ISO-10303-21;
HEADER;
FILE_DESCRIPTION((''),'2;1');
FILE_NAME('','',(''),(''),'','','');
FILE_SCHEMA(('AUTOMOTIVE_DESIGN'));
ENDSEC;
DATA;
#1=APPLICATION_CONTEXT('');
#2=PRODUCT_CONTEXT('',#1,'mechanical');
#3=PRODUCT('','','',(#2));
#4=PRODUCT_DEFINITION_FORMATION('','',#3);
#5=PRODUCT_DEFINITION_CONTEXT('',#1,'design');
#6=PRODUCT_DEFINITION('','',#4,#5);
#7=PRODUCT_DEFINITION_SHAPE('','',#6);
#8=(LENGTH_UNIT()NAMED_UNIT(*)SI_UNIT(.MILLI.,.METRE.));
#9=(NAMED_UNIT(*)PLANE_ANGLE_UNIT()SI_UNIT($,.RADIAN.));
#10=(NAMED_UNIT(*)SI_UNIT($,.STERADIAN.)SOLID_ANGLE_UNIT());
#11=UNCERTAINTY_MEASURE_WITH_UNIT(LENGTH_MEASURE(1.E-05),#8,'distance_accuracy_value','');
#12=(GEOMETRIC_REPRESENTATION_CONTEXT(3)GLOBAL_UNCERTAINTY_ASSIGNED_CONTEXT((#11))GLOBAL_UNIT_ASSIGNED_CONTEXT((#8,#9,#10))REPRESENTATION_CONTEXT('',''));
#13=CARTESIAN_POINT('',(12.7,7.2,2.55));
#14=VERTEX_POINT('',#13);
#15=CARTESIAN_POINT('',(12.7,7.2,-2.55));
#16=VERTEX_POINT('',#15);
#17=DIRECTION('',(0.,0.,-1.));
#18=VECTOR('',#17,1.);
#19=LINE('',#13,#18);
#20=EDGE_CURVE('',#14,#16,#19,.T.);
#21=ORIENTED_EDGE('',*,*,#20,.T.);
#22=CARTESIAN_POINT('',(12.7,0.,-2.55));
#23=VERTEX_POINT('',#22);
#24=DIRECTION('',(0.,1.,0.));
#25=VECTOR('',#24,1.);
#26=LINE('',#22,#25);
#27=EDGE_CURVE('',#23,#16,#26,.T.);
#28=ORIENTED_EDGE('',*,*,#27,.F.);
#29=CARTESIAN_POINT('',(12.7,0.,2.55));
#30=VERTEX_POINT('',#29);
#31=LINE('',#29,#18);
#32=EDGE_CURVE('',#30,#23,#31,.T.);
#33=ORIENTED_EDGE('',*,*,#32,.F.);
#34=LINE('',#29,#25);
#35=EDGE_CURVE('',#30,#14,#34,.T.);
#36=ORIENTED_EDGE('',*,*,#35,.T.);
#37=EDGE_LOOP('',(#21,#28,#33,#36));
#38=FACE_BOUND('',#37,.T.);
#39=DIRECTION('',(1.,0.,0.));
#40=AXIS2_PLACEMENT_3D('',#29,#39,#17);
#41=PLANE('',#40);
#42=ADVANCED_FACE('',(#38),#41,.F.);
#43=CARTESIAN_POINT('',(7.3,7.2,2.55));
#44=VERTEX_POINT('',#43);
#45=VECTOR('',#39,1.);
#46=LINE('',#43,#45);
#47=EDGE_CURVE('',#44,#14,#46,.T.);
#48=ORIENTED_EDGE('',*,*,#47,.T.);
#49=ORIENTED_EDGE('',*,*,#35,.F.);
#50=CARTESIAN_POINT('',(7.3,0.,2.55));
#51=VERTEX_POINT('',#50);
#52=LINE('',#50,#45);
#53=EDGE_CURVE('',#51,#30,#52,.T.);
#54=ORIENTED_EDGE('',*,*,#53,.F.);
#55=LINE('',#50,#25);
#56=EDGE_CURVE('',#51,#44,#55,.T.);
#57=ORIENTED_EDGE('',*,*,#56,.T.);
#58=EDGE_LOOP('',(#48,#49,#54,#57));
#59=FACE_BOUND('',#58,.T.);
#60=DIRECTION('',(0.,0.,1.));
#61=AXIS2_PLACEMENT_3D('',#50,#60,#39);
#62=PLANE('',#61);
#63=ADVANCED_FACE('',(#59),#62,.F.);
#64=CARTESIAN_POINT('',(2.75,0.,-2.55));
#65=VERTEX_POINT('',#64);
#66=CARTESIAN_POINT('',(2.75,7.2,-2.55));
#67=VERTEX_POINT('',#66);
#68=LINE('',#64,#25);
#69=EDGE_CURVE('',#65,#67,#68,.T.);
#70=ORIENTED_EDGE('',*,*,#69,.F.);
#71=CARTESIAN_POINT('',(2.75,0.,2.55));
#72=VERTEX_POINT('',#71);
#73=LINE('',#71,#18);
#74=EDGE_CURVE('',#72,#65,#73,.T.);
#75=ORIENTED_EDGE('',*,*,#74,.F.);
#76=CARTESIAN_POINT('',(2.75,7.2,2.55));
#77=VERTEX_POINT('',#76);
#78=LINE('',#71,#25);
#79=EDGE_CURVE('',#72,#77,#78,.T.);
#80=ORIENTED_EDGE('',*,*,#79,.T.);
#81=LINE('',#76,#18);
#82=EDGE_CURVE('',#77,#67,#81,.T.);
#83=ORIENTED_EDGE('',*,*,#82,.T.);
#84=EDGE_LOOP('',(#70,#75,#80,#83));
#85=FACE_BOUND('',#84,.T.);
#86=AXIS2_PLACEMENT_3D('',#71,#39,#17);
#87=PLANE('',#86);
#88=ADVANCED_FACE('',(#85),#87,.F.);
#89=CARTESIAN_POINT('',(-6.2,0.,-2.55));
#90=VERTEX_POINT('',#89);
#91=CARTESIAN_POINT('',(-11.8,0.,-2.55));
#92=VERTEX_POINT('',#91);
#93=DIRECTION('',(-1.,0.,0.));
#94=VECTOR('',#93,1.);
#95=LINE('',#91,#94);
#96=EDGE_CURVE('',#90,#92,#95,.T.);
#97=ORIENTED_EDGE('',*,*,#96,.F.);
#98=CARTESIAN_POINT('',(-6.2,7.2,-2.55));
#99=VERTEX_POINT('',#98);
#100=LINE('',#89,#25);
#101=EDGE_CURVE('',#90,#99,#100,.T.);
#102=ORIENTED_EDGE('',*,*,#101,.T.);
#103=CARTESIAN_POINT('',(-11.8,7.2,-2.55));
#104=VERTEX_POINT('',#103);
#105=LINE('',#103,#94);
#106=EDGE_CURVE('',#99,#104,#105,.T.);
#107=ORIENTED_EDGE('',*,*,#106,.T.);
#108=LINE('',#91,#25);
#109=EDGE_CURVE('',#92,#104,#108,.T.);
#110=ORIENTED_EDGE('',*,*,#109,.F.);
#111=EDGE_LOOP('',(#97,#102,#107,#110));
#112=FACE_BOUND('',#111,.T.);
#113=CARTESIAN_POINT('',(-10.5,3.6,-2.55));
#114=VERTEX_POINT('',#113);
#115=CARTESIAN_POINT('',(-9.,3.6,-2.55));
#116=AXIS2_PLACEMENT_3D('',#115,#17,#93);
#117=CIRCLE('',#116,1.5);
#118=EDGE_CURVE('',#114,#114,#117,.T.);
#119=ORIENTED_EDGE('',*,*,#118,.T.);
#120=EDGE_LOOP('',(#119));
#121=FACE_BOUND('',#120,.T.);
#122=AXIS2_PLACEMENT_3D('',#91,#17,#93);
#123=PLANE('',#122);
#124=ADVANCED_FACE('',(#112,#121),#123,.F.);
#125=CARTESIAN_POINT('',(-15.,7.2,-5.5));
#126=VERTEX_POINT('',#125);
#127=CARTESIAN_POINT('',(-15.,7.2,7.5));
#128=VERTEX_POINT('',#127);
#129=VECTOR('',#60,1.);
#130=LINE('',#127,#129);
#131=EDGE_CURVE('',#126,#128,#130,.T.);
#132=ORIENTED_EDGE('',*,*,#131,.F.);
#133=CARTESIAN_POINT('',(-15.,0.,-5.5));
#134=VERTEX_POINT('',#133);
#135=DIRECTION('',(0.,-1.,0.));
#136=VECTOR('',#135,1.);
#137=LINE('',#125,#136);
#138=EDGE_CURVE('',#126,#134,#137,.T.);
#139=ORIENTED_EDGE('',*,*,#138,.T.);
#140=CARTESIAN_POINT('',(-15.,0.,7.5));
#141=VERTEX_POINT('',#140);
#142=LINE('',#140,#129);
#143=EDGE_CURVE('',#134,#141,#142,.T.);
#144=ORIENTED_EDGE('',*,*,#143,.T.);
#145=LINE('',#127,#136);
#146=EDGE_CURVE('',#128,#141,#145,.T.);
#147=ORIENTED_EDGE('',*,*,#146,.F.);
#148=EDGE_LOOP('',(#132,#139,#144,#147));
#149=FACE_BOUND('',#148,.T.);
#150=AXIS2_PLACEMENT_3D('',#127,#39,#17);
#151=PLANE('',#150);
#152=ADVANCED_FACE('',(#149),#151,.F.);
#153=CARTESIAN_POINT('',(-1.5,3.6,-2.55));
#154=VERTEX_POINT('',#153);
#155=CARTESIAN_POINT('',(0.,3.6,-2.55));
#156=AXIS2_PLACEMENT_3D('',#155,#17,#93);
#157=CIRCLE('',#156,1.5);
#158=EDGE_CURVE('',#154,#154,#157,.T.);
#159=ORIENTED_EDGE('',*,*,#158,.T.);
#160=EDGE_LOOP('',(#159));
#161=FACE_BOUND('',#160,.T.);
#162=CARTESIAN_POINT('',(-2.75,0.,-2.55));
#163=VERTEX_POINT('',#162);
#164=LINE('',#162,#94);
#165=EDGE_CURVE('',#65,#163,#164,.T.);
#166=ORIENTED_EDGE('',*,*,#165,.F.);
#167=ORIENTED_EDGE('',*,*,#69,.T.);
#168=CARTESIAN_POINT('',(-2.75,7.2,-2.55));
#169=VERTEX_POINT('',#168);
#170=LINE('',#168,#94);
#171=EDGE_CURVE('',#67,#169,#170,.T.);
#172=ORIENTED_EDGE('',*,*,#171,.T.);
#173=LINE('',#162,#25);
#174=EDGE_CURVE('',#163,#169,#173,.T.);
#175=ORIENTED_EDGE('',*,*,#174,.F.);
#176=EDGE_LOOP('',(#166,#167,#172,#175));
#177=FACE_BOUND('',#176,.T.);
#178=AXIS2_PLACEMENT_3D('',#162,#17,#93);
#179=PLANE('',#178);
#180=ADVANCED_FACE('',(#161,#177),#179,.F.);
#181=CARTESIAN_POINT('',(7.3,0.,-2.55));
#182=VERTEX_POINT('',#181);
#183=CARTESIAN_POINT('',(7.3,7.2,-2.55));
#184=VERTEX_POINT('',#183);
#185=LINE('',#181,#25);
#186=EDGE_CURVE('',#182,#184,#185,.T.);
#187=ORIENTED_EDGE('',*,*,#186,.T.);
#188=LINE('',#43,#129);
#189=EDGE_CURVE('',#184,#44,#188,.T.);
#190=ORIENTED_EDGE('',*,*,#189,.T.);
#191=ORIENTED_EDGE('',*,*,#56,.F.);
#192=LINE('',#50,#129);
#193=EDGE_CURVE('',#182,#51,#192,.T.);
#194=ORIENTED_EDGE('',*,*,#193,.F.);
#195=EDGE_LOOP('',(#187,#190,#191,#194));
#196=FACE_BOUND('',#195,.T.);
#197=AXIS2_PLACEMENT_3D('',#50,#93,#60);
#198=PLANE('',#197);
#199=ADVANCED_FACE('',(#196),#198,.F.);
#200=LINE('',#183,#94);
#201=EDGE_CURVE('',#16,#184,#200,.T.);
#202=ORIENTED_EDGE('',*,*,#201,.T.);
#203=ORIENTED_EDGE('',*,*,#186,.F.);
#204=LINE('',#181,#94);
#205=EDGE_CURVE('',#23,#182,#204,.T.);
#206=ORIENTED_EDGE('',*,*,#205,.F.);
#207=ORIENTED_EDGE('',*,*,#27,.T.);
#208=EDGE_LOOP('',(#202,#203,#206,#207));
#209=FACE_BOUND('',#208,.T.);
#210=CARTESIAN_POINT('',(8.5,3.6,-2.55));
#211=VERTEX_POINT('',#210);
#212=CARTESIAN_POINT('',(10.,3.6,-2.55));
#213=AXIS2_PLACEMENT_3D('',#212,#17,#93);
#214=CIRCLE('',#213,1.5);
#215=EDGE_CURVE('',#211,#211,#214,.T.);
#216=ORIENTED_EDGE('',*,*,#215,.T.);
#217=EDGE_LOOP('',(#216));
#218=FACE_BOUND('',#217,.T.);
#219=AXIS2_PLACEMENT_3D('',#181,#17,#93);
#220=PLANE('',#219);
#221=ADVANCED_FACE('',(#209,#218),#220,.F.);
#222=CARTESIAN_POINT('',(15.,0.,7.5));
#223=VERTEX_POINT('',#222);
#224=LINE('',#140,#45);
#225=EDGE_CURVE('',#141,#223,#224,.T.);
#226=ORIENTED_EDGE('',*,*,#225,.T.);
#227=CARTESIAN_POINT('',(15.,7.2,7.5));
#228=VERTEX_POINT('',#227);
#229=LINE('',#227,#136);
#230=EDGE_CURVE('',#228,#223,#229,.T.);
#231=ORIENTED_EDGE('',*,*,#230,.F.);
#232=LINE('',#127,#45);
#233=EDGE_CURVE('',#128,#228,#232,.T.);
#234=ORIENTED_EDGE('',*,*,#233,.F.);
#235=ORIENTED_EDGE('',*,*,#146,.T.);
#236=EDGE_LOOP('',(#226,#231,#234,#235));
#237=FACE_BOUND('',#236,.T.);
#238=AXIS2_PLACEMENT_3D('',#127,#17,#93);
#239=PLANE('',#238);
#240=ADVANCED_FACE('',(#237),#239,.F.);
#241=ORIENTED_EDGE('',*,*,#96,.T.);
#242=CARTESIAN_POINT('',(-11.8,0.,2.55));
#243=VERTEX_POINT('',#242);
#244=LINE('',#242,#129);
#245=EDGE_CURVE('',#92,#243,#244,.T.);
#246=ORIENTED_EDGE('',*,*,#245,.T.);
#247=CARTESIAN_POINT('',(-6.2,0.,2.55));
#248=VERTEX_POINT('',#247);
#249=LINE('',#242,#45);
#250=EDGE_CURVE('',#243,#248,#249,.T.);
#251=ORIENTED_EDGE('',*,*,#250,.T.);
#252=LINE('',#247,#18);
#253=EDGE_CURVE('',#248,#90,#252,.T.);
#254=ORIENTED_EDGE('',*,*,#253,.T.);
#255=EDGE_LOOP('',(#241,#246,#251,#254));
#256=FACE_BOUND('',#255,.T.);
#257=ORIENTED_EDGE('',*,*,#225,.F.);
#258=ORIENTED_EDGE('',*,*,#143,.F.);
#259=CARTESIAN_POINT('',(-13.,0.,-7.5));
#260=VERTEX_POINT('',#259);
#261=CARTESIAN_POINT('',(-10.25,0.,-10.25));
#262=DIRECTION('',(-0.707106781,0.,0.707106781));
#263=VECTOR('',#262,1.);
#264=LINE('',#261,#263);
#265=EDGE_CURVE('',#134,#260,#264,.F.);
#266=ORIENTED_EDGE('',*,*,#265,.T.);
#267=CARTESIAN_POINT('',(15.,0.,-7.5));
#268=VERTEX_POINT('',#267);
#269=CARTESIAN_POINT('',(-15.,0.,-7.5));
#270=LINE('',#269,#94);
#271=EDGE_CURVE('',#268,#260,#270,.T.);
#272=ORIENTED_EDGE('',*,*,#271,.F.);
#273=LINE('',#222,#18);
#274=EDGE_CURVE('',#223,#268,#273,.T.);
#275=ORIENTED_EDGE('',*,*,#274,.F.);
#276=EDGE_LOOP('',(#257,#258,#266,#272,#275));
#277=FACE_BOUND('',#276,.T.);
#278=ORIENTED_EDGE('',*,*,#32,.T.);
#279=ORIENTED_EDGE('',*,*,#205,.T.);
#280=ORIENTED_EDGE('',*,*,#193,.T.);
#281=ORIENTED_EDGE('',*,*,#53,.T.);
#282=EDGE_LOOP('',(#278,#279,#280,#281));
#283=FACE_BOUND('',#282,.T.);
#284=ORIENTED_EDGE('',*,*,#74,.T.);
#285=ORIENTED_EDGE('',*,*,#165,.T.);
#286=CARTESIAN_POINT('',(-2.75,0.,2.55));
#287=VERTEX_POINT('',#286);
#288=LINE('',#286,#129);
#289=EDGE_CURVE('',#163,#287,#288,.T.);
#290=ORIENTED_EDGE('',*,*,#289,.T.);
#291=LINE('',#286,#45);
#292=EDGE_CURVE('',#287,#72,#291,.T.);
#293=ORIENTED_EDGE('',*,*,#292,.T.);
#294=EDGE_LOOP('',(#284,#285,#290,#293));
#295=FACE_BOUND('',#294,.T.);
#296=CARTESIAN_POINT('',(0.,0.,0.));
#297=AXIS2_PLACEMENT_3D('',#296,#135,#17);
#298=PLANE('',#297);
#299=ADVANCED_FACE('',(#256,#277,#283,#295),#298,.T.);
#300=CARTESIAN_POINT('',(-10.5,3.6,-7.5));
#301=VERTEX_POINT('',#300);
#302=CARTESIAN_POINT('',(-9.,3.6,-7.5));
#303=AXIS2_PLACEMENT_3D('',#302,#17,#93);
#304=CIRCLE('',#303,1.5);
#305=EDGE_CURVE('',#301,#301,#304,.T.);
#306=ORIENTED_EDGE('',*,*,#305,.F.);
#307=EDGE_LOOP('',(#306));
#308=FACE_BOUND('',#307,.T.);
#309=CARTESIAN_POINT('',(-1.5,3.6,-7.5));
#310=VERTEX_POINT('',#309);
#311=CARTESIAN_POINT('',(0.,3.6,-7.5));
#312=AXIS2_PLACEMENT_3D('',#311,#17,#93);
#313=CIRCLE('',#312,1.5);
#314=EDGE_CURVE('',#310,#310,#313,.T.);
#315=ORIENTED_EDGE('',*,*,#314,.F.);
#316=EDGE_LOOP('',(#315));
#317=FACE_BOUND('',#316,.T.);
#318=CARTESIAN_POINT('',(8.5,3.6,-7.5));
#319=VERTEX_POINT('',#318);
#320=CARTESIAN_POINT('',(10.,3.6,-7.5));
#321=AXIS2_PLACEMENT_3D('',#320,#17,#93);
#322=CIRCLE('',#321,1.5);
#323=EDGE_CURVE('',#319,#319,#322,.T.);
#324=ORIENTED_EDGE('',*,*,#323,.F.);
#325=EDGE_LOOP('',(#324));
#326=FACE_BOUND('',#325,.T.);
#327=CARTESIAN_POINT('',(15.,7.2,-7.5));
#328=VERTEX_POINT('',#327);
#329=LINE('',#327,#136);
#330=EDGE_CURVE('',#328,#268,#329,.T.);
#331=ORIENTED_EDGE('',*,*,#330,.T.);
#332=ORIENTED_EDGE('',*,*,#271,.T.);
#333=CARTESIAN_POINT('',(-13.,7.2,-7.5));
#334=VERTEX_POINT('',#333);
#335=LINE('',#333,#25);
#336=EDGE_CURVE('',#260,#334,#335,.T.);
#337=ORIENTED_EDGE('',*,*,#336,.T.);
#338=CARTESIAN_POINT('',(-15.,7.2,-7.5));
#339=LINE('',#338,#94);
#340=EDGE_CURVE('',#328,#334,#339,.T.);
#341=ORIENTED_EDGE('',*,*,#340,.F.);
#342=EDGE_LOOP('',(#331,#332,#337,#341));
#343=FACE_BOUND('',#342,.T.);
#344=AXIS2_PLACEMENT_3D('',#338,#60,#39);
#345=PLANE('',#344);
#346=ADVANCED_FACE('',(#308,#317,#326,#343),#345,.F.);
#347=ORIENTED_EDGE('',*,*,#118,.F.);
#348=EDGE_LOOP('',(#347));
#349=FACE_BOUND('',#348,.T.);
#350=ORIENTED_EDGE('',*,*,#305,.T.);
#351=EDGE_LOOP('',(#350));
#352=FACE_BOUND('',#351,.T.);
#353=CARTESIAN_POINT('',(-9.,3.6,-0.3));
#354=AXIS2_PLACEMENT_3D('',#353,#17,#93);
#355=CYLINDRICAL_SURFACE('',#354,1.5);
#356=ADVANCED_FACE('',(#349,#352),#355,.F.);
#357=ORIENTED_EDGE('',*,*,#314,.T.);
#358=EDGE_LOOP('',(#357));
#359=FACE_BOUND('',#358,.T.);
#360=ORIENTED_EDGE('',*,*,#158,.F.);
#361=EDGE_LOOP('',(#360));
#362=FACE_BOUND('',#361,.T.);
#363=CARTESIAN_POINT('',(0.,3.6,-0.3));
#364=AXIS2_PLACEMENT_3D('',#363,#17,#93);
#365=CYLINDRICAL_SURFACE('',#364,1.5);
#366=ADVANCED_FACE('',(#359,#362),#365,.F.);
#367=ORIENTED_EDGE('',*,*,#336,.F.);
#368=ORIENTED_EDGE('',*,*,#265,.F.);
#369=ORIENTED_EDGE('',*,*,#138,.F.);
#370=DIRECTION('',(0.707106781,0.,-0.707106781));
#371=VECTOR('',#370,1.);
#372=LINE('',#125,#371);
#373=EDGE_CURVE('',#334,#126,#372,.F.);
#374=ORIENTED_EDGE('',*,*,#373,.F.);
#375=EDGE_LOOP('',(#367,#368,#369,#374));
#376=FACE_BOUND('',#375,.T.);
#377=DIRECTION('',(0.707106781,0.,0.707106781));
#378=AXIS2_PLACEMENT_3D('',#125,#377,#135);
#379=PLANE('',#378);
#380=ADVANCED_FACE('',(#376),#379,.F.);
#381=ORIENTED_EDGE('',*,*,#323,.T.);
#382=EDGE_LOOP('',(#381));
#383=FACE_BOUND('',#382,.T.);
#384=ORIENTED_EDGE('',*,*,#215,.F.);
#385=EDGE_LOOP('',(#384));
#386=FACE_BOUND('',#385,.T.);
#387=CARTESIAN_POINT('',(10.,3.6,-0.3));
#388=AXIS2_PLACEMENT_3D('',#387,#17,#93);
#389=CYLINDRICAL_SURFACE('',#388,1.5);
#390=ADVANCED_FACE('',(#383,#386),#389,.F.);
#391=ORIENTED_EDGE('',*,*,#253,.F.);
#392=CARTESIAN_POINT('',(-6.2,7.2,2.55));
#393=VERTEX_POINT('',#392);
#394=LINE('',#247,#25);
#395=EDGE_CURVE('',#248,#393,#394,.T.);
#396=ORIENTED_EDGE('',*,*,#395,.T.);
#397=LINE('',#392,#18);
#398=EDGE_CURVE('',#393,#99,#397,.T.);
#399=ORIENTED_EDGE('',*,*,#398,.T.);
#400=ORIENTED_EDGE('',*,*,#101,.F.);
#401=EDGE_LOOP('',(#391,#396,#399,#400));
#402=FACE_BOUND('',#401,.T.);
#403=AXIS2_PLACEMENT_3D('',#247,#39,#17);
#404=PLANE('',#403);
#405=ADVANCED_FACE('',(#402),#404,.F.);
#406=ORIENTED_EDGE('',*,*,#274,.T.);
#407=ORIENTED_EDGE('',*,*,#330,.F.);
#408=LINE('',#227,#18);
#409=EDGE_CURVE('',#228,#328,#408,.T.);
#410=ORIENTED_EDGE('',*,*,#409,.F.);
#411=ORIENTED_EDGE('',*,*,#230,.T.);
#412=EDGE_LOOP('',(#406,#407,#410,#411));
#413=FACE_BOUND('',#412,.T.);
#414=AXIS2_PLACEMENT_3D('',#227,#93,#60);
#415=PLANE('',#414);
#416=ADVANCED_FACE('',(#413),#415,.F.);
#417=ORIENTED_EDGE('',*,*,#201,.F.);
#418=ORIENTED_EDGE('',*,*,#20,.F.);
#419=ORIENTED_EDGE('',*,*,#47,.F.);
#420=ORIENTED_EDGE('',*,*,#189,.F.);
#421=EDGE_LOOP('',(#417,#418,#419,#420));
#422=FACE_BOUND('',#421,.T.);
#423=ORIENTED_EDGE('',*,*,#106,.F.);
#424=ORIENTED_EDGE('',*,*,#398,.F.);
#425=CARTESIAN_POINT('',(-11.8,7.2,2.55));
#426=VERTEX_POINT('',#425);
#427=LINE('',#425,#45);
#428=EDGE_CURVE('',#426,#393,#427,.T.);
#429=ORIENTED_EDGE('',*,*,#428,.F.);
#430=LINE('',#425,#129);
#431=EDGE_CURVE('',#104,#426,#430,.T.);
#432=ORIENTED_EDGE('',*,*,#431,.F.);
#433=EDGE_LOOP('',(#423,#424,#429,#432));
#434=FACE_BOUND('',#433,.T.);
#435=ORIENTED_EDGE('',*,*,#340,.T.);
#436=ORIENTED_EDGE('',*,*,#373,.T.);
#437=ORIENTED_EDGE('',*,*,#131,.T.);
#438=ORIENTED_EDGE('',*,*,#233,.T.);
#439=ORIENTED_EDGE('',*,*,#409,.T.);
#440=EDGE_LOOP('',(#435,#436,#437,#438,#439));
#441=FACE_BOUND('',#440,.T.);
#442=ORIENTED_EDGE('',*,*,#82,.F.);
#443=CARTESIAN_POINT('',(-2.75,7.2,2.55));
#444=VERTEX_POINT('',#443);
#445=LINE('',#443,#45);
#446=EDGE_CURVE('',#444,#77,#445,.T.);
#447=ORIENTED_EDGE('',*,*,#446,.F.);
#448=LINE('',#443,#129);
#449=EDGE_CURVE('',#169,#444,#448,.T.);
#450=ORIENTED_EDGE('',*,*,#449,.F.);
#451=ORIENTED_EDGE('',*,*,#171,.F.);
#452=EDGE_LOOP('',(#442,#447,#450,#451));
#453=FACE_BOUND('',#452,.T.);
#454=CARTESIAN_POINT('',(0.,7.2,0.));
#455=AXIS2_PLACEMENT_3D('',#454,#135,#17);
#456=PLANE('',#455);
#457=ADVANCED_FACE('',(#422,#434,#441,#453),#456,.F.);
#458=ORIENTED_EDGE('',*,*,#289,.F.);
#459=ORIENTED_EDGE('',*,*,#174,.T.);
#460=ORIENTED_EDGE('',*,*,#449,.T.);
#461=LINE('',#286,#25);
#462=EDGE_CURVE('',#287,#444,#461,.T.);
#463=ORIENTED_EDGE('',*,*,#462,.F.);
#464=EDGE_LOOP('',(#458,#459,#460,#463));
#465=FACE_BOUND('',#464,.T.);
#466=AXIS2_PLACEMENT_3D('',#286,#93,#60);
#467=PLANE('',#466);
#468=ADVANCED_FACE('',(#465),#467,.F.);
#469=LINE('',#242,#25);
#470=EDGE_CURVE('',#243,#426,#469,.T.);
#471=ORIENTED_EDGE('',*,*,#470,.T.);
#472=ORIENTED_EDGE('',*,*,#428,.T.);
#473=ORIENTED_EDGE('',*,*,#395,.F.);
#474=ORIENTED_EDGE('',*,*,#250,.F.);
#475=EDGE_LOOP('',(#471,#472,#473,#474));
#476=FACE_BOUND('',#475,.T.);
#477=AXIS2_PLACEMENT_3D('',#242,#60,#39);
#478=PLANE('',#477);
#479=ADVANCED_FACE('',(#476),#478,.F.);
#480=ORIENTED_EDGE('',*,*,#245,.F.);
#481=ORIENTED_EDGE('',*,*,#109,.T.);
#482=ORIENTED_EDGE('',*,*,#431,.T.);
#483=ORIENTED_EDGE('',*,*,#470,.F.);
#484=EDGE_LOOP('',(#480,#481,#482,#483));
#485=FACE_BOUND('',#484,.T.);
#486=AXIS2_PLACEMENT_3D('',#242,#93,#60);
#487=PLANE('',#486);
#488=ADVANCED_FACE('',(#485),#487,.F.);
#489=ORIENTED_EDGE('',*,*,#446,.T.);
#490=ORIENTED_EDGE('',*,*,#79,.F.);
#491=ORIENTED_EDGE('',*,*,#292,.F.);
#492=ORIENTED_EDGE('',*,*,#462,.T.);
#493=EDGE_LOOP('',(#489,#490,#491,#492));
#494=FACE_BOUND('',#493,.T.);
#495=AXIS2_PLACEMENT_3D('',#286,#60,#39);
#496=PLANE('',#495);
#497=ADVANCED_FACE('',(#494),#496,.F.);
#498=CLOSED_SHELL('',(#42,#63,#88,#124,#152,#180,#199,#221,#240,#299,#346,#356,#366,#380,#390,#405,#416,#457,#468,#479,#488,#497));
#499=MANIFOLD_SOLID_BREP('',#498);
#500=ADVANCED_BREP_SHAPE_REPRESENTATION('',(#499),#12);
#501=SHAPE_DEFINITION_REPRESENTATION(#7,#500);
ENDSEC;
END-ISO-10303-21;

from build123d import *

# Parameters (mm, degrees)
SKETCH1_W           = 30
SKETCH1_H           = 15
BOSS_EXTRUDE1_DEPTH = 7.2
SKETCH2_W           = 5.6
SKETCH2_H           = 5.1
SKETCH2_W_2         = 5.5
SKETCH2_W_3         = 5.4
CUT_EXTRUDE1_DEPTH  = 7.2
SKETCH4_R           = 1.5
CUT_EXTRUDE2_DEPTH  = 7.2
CHAMFER1_SIZE       = 2


with BuildPart() as part:
    # Sketch1 → Boss-Extrude1 (new body)
    with BuildSketch(Plane(origin=(0, 0, 0), x_dir=(1, 0, 0), z_dir=(0, 1, 0))):
        Rectangle(SKETCH1_W, SKETCH1_H)
    extrude(amount=BOSS_EXTRUDE1_DEPTH)

    # Sketch2 → Cut-Extrude1 (cut)
    with BuildSketch(Plane(origin=(0, 7.2, 0), x_dir=(1, 0, 0), z_dir=(0, 1, 0))):
        with Locations((-9, 0)):
            Rectangle(SKETCH2_W, SKETCH2_H)
        Rectangle(SKETCH2_W_2, SKETCH2_H)
        with Locations((10, 0)):
            Rectangle(SKETCH2_W_3, SKETCH2_H)
    extrude(amount=-CUT_EXTRUDE1_DEPTH, mode=Mode.SUBTRACT)

    # Sketch4 → Cut-Extrude2 (cut)
    with BuildSketch(Plane(origin=(0, 0, -7.5), x_dir=(-1, 0, 0), z_dir=(0, 0, -1))):
        with Locations((9, 3.6)):
            Circle(SKETCH4_R)
        with Locations((0, 3.6)):
            Circle(SKETCH4_R)
        with Locations((-10, 3.6)):
            Circle(SKETCH4_R)
    extrude(amount=-CUT_EXTRUDE2_DEPTH, mode=Mode.SUBTRACT)

    # Chamfer1
    chamfer1_edges = [part.edges().sort_by_distance(p)[0] for p in [
        (-15, 3.6, -7.5),
    ]]
    chamfer(chamfer1_edges, length=CHAMFER1_SIZE)


solid = part.part
